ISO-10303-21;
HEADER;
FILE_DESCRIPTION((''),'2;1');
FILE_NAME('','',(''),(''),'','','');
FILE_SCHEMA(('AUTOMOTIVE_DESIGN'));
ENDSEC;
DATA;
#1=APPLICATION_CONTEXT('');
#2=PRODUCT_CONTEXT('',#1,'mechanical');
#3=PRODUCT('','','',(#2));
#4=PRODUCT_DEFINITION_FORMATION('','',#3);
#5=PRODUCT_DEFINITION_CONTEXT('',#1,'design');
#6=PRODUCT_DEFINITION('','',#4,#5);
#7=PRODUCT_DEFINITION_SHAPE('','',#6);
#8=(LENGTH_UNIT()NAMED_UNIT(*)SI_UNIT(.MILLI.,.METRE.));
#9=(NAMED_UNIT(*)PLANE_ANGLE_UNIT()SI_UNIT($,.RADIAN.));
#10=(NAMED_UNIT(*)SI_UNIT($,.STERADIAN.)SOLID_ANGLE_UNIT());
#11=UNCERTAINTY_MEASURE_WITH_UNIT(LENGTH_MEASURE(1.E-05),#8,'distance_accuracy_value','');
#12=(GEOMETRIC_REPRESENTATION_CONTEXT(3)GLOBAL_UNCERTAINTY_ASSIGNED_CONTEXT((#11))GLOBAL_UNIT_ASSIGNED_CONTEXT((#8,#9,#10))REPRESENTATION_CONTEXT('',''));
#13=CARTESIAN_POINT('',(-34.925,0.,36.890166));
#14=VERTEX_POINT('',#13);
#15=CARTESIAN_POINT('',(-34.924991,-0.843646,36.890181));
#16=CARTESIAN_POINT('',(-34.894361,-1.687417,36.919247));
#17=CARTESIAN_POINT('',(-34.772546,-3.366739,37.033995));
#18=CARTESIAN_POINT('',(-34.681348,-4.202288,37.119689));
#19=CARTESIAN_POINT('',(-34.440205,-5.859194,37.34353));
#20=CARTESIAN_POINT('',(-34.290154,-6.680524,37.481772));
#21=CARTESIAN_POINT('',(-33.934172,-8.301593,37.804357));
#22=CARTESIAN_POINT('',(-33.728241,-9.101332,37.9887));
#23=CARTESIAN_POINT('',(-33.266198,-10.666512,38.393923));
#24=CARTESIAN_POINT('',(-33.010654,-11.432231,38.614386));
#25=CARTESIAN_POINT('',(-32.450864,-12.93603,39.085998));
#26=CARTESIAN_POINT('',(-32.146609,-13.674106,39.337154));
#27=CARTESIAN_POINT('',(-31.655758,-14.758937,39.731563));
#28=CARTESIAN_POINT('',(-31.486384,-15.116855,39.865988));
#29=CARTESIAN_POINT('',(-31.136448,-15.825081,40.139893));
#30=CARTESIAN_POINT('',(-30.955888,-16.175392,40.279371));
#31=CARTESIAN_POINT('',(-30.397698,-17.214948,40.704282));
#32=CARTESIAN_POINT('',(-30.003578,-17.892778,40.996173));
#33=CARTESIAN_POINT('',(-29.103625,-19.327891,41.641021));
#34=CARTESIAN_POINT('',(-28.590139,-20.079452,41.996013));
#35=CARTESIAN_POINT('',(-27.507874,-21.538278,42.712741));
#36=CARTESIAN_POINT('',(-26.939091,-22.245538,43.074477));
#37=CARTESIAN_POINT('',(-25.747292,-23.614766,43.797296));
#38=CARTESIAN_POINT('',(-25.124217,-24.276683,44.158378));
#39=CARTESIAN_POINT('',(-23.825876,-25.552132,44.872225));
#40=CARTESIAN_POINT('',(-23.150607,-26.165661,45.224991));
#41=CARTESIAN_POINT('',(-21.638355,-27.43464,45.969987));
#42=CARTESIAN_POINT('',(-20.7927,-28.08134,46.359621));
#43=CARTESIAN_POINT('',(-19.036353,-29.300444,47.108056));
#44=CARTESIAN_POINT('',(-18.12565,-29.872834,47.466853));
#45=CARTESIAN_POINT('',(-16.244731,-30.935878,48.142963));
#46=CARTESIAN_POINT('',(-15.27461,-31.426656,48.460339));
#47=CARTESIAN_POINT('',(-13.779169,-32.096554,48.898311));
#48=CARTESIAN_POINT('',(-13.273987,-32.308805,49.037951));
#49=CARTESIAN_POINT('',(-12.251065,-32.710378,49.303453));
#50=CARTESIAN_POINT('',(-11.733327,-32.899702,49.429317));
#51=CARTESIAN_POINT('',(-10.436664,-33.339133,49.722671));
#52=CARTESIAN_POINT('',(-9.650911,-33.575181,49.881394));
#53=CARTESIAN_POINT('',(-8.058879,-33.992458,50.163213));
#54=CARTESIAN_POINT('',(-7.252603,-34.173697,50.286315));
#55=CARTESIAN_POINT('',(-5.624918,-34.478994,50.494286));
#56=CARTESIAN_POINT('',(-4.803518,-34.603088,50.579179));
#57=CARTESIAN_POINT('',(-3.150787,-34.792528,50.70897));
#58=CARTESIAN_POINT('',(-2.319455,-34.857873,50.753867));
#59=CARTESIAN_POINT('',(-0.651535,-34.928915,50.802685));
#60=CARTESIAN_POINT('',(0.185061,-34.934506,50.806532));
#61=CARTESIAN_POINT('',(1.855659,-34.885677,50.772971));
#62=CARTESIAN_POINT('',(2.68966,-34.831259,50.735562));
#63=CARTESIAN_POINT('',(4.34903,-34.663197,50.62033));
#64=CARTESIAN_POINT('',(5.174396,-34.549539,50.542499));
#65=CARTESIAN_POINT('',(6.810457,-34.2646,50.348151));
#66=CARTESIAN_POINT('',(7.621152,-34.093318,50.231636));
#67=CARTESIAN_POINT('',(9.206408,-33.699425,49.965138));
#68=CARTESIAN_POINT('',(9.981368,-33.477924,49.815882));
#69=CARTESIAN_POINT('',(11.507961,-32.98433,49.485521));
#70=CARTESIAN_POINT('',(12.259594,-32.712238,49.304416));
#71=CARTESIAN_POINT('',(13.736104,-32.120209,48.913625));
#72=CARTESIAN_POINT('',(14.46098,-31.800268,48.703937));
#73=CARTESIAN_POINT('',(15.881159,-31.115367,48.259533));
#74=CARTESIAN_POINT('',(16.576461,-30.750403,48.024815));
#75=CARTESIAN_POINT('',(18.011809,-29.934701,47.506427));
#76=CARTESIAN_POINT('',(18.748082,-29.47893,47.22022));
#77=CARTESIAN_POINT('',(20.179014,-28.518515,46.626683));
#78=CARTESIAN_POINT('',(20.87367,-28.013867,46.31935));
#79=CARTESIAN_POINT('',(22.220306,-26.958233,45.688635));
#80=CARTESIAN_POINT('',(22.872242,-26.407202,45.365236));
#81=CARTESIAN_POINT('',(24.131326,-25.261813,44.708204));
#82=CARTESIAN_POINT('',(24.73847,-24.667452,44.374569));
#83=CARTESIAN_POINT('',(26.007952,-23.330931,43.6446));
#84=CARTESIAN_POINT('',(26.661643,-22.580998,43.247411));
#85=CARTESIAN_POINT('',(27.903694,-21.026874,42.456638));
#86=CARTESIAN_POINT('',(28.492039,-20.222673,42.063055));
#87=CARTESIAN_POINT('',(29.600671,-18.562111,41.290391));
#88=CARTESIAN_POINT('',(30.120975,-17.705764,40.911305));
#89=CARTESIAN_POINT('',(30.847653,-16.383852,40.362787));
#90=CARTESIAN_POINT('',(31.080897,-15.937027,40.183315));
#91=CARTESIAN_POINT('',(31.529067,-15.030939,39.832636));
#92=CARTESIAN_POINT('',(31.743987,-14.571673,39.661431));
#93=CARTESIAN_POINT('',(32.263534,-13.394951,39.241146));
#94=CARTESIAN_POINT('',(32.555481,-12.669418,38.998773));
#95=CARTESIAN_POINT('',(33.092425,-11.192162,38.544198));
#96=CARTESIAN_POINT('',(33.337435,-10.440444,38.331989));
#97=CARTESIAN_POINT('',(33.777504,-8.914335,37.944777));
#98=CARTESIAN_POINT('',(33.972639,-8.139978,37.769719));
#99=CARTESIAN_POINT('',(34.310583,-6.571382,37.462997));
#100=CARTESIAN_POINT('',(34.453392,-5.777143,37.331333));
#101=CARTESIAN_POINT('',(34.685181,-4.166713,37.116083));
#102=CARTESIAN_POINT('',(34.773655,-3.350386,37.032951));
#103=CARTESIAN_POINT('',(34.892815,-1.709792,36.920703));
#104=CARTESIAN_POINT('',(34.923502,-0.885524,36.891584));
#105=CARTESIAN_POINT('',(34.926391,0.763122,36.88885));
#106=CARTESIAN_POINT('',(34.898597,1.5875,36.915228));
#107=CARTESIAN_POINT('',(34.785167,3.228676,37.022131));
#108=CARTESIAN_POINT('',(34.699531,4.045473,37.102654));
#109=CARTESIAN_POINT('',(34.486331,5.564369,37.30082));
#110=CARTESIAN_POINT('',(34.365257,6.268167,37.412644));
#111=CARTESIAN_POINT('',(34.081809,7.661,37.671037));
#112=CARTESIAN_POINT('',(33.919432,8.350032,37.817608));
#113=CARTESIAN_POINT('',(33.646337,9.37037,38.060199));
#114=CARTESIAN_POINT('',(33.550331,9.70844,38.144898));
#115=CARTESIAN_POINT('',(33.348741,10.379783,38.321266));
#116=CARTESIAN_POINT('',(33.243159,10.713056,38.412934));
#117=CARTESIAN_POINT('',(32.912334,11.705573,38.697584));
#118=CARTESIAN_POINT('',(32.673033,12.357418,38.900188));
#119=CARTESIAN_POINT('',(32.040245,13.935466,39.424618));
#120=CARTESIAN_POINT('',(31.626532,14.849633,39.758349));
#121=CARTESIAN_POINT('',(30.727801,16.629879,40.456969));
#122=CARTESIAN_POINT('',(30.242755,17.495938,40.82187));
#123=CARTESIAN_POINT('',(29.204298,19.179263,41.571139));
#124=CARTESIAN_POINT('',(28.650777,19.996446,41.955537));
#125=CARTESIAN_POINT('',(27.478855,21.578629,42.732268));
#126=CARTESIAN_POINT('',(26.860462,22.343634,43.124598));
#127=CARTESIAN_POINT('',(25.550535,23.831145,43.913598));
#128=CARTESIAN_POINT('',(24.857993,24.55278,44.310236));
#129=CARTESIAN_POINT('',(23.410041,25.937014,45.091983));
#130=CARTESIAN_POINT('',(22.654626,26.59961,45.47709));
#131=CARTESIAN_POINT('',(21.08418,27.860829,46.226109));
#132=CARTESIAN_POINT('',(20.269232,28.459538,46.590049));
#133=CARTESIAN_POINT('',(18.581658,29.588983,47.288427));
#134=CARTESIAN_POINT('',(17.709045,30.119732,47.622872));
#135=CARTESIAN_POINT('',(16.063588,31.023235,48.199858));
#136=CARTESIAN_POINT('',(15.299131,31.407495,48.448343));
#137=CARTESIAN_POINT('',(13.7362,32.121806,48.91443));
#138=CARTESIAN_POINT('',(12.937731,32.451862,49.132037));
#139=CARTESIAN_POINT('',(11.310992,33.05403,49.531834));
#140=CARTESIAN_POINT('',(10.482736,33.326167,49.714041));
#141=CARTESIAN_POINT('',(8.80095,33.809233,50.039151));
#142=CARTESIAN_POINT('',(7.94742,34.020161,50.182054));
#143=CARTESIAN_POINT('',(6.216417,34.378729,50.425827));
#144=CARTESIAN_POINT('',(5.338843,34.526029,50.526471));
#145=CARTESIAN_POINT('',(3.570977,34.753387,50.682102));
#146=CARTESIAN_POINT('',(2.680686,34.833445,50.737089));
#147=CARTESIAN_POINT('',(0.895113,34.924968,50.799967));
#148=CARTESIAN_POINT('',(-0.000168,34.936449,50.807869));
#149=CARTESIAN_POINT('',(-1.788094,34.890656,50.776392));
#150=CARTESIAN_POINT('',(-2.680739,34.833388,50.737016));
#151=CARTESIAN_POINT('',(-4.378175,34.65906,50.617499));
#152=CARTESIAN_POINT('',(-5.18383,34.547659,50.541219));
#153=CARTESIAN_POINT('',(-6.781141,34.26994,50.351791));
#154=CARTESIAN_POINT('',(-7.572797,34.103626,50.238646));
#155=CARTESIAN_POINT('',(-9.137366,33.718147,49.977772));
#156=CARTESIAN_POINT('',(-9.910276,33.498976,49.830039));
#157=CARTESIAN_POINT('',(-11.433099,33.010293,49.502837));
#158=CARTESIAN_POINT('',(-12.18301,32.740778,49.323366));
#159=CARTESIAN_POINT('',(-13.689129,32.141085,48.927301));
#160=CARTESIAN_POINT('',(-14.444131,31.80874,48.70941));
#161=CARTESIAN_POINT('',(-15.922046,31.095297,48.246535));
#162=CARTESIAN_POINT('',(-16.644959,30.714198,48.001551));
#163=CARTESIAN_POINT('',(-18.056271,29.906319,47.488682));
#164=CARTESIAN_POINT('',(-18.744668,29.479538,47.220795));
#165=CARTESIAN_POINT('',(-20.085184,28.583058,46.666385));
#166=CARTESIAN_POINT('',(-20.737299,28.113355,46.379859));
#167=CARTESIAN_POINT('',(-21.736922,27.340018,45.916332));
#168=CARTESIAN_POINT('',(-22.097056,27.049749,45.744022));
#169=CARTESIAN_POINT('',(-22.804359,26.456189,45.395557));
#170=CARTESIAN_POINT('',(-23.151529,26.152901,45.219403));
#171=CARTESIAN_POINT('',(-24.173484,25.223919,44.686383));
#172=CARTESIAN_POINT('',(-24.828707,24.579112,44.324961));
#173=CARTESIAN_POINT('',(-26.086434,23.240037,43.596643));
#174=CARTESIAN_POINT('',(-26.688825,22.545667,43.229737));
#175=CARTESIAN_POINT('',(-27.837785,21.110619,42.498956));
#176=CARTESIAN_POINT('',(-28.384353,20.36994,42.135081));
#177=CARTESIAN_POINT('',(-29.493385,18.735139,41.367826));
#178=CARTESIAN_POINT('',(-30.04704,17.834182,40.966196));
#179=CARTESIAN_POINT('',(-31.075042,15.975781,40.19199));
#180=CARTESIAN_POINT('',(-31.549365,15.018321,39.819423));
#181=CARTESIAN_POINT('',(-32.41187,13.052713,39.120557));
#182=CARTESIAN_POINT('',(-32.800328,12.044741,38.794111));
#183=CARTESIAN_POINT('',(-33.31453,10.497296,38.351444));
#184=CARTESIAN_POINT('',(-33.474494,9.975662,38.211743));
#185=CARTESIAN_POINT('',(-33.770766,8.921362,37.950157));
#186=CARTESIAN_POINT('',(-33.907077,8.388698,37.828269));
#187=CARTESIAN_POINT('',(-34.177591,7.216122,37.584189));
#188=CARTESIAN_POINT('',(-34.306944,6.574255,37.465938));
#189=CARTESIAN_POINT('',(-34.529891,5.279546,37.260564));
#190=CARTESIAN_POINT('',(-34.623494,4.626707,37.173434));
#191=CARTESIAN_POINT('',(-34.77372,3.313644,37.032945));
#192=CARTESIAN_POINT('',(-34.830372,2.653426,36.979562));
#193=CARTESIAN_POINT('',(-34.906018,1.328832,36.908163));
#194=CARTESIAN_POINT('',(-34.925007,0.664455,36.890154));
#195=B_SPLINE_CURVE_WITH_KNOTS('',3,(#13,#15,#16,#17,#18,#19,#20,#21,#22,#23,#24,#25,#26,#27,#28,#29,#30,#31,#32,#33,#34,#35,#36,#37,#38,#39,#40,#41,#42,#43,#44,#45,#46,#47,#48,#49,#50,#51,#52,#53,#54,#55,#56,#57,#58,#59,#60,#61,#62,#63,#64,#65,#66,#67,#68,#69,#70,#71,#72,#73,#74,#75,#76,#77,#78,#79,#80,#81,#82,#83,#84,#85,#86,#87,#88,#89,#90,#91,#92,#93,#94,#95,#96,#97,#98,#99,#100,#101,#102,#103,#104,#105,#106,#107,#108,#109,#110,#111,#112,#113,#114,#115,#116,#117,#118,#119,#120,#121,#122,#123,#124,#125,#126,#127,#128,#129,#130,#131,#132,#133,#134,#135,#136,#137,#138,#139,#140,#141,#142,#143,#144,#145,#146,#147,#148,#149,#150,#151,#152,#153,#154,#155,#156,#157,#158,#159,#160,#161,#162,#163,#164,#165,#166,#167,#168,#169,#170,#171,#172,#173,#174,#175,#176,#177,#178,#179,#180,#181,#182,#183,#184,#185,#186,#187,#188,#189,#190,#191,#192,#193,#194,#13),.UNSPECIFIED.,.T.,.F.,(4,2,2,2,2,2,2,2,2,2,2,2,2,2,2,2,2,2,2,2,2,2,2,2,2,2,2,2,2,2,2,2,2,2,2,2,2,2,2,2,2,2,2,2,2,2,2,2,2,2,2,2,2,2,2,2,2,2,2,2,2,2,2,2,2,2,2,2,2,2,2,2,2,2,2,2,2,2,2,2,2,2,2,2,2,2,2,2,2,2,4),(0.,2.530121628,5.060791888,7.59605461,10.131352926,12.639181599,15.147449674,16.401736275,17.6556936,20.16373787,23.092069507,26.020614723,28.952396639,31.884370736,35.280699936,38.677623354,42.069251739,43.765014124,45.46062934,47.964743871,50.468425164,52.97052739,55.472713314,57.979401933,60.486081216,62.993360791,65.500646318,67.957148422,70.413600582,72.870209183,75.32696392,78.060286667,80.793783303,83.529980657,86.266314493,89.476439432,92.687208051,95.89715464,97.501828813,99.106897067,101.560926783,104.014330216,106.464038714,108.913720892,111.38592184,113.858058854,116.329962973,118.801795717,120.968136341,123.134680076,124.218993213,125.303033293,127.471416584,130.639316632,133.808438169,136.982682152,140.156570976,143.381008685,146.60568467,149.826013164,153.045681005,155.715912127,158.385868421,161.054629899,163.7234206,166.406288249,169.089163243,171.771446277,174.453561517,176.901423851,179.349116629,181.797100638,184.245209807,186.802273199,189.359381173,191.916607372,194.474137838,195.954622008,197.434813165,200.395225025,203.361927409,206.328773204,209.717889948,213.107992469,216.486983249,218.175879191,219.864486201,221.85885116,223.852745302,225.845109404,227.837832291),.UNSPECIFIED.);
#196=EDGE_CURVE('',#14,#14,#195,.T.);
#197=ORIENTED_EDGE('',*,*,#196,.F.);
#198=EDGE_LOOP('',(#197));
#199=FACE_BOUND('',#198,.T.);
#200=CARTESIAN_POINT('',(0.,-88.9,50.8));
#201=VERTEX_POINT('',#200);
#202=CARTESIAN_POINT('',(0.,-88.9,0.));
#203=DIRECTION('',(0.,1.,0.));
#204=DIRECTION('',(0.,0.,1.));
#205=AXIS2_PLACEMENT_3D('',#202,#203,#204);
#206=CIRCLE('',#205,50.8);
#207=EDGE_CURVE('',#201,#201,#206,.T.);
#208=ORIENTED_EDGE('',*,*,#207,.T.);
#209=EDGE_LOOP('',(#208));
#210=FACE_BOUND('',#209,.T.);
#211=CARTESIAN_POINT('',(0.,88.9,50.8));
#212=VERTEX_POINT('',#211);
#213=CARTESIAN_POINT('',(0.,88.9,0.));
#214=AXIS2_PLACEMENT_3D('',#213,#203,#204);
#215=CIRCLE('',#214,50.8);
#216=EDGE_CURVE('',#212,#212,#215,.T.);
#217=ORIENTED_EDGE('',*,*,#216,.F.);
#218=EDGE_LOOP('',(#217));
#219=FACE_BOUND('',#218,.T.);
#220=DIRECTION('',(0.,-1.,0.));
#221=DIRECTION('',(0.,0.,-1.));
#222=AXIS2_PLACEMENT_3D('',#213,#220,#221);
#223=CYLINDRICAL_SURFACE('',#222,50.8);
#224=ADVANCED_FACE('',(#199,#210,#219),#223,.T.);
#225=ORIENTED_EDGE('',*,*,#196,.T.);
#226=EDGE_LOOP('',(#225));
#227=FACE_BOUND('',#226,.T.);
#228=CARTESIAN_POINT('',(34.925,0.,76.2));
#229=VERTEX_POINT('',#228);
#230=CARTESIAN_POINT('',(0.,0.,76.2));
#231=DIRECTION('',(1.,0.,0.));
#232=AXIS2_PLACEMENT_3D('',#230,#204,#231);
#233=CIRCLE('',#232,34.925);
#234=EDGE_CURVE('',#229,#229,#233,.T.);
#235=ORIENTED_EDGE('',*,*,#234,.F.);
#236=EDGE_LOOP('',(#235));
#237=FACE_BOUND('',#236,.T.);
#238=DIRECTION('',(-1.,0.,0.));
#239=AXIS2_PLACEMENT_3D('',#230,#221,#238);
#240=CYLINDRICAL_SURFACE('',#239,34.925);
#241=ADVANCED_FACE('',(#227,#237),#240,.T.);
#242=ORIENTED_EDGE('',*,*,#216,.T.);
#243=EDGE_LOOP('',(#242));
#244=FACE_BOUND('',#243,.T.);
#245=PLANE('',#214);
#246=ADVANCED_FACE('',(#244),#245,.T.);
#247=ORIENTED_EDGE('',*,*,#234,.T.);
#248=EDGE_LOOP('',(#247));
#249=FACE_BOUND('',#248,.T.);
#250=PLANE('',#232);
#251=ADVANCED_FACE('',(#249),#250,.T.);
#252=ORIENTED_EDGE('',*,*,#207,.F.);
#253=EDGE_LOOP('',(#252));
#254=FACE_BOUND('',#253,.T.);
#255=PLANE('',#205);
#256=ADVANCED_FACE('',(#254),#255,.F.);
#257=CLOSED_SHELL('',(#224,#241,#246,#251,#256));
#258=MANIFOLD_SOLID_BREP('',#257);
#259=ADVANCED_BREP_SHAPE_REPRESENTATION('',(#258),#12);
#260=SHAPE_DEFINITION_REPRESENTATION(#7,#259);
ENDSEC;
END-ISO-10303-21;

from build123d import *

# Parameters (mm, degrees)
SKETCH1_R           = 50.8
BOSS_EXTRUDE1_DEPTH = 88.9
SKETCH2_R           = 34.925
BOSS_EXTRUDE2_DEPTH = 76.2


with BuildPart() as part:
    # Sketch1 → Boss-Extrude1 (new, symmetric)
    with BuildSketch(Plane(origin=(0, 0, 0), x_dir=(1, 0, 0), z_dir=(0, 1, 0))):
        with Locations(Location((0, 0, 0), (0, 0, 270))):
            Circle(SKETCH1_R)
    extrude(amount=BOSS_EXTRUDE1_DEPTH, both=True)

    # Sketch2 → Boss-Extrude2 (add)
    with BuildSketch(Plane.XY):
        with Locations(Location((0, 0, 0), (0, 0, 180))):
            Circle(SKETCH2_R)
    extrude(amount=BOSS_EXTRUDE2_DEPTH)


solid = part.part
